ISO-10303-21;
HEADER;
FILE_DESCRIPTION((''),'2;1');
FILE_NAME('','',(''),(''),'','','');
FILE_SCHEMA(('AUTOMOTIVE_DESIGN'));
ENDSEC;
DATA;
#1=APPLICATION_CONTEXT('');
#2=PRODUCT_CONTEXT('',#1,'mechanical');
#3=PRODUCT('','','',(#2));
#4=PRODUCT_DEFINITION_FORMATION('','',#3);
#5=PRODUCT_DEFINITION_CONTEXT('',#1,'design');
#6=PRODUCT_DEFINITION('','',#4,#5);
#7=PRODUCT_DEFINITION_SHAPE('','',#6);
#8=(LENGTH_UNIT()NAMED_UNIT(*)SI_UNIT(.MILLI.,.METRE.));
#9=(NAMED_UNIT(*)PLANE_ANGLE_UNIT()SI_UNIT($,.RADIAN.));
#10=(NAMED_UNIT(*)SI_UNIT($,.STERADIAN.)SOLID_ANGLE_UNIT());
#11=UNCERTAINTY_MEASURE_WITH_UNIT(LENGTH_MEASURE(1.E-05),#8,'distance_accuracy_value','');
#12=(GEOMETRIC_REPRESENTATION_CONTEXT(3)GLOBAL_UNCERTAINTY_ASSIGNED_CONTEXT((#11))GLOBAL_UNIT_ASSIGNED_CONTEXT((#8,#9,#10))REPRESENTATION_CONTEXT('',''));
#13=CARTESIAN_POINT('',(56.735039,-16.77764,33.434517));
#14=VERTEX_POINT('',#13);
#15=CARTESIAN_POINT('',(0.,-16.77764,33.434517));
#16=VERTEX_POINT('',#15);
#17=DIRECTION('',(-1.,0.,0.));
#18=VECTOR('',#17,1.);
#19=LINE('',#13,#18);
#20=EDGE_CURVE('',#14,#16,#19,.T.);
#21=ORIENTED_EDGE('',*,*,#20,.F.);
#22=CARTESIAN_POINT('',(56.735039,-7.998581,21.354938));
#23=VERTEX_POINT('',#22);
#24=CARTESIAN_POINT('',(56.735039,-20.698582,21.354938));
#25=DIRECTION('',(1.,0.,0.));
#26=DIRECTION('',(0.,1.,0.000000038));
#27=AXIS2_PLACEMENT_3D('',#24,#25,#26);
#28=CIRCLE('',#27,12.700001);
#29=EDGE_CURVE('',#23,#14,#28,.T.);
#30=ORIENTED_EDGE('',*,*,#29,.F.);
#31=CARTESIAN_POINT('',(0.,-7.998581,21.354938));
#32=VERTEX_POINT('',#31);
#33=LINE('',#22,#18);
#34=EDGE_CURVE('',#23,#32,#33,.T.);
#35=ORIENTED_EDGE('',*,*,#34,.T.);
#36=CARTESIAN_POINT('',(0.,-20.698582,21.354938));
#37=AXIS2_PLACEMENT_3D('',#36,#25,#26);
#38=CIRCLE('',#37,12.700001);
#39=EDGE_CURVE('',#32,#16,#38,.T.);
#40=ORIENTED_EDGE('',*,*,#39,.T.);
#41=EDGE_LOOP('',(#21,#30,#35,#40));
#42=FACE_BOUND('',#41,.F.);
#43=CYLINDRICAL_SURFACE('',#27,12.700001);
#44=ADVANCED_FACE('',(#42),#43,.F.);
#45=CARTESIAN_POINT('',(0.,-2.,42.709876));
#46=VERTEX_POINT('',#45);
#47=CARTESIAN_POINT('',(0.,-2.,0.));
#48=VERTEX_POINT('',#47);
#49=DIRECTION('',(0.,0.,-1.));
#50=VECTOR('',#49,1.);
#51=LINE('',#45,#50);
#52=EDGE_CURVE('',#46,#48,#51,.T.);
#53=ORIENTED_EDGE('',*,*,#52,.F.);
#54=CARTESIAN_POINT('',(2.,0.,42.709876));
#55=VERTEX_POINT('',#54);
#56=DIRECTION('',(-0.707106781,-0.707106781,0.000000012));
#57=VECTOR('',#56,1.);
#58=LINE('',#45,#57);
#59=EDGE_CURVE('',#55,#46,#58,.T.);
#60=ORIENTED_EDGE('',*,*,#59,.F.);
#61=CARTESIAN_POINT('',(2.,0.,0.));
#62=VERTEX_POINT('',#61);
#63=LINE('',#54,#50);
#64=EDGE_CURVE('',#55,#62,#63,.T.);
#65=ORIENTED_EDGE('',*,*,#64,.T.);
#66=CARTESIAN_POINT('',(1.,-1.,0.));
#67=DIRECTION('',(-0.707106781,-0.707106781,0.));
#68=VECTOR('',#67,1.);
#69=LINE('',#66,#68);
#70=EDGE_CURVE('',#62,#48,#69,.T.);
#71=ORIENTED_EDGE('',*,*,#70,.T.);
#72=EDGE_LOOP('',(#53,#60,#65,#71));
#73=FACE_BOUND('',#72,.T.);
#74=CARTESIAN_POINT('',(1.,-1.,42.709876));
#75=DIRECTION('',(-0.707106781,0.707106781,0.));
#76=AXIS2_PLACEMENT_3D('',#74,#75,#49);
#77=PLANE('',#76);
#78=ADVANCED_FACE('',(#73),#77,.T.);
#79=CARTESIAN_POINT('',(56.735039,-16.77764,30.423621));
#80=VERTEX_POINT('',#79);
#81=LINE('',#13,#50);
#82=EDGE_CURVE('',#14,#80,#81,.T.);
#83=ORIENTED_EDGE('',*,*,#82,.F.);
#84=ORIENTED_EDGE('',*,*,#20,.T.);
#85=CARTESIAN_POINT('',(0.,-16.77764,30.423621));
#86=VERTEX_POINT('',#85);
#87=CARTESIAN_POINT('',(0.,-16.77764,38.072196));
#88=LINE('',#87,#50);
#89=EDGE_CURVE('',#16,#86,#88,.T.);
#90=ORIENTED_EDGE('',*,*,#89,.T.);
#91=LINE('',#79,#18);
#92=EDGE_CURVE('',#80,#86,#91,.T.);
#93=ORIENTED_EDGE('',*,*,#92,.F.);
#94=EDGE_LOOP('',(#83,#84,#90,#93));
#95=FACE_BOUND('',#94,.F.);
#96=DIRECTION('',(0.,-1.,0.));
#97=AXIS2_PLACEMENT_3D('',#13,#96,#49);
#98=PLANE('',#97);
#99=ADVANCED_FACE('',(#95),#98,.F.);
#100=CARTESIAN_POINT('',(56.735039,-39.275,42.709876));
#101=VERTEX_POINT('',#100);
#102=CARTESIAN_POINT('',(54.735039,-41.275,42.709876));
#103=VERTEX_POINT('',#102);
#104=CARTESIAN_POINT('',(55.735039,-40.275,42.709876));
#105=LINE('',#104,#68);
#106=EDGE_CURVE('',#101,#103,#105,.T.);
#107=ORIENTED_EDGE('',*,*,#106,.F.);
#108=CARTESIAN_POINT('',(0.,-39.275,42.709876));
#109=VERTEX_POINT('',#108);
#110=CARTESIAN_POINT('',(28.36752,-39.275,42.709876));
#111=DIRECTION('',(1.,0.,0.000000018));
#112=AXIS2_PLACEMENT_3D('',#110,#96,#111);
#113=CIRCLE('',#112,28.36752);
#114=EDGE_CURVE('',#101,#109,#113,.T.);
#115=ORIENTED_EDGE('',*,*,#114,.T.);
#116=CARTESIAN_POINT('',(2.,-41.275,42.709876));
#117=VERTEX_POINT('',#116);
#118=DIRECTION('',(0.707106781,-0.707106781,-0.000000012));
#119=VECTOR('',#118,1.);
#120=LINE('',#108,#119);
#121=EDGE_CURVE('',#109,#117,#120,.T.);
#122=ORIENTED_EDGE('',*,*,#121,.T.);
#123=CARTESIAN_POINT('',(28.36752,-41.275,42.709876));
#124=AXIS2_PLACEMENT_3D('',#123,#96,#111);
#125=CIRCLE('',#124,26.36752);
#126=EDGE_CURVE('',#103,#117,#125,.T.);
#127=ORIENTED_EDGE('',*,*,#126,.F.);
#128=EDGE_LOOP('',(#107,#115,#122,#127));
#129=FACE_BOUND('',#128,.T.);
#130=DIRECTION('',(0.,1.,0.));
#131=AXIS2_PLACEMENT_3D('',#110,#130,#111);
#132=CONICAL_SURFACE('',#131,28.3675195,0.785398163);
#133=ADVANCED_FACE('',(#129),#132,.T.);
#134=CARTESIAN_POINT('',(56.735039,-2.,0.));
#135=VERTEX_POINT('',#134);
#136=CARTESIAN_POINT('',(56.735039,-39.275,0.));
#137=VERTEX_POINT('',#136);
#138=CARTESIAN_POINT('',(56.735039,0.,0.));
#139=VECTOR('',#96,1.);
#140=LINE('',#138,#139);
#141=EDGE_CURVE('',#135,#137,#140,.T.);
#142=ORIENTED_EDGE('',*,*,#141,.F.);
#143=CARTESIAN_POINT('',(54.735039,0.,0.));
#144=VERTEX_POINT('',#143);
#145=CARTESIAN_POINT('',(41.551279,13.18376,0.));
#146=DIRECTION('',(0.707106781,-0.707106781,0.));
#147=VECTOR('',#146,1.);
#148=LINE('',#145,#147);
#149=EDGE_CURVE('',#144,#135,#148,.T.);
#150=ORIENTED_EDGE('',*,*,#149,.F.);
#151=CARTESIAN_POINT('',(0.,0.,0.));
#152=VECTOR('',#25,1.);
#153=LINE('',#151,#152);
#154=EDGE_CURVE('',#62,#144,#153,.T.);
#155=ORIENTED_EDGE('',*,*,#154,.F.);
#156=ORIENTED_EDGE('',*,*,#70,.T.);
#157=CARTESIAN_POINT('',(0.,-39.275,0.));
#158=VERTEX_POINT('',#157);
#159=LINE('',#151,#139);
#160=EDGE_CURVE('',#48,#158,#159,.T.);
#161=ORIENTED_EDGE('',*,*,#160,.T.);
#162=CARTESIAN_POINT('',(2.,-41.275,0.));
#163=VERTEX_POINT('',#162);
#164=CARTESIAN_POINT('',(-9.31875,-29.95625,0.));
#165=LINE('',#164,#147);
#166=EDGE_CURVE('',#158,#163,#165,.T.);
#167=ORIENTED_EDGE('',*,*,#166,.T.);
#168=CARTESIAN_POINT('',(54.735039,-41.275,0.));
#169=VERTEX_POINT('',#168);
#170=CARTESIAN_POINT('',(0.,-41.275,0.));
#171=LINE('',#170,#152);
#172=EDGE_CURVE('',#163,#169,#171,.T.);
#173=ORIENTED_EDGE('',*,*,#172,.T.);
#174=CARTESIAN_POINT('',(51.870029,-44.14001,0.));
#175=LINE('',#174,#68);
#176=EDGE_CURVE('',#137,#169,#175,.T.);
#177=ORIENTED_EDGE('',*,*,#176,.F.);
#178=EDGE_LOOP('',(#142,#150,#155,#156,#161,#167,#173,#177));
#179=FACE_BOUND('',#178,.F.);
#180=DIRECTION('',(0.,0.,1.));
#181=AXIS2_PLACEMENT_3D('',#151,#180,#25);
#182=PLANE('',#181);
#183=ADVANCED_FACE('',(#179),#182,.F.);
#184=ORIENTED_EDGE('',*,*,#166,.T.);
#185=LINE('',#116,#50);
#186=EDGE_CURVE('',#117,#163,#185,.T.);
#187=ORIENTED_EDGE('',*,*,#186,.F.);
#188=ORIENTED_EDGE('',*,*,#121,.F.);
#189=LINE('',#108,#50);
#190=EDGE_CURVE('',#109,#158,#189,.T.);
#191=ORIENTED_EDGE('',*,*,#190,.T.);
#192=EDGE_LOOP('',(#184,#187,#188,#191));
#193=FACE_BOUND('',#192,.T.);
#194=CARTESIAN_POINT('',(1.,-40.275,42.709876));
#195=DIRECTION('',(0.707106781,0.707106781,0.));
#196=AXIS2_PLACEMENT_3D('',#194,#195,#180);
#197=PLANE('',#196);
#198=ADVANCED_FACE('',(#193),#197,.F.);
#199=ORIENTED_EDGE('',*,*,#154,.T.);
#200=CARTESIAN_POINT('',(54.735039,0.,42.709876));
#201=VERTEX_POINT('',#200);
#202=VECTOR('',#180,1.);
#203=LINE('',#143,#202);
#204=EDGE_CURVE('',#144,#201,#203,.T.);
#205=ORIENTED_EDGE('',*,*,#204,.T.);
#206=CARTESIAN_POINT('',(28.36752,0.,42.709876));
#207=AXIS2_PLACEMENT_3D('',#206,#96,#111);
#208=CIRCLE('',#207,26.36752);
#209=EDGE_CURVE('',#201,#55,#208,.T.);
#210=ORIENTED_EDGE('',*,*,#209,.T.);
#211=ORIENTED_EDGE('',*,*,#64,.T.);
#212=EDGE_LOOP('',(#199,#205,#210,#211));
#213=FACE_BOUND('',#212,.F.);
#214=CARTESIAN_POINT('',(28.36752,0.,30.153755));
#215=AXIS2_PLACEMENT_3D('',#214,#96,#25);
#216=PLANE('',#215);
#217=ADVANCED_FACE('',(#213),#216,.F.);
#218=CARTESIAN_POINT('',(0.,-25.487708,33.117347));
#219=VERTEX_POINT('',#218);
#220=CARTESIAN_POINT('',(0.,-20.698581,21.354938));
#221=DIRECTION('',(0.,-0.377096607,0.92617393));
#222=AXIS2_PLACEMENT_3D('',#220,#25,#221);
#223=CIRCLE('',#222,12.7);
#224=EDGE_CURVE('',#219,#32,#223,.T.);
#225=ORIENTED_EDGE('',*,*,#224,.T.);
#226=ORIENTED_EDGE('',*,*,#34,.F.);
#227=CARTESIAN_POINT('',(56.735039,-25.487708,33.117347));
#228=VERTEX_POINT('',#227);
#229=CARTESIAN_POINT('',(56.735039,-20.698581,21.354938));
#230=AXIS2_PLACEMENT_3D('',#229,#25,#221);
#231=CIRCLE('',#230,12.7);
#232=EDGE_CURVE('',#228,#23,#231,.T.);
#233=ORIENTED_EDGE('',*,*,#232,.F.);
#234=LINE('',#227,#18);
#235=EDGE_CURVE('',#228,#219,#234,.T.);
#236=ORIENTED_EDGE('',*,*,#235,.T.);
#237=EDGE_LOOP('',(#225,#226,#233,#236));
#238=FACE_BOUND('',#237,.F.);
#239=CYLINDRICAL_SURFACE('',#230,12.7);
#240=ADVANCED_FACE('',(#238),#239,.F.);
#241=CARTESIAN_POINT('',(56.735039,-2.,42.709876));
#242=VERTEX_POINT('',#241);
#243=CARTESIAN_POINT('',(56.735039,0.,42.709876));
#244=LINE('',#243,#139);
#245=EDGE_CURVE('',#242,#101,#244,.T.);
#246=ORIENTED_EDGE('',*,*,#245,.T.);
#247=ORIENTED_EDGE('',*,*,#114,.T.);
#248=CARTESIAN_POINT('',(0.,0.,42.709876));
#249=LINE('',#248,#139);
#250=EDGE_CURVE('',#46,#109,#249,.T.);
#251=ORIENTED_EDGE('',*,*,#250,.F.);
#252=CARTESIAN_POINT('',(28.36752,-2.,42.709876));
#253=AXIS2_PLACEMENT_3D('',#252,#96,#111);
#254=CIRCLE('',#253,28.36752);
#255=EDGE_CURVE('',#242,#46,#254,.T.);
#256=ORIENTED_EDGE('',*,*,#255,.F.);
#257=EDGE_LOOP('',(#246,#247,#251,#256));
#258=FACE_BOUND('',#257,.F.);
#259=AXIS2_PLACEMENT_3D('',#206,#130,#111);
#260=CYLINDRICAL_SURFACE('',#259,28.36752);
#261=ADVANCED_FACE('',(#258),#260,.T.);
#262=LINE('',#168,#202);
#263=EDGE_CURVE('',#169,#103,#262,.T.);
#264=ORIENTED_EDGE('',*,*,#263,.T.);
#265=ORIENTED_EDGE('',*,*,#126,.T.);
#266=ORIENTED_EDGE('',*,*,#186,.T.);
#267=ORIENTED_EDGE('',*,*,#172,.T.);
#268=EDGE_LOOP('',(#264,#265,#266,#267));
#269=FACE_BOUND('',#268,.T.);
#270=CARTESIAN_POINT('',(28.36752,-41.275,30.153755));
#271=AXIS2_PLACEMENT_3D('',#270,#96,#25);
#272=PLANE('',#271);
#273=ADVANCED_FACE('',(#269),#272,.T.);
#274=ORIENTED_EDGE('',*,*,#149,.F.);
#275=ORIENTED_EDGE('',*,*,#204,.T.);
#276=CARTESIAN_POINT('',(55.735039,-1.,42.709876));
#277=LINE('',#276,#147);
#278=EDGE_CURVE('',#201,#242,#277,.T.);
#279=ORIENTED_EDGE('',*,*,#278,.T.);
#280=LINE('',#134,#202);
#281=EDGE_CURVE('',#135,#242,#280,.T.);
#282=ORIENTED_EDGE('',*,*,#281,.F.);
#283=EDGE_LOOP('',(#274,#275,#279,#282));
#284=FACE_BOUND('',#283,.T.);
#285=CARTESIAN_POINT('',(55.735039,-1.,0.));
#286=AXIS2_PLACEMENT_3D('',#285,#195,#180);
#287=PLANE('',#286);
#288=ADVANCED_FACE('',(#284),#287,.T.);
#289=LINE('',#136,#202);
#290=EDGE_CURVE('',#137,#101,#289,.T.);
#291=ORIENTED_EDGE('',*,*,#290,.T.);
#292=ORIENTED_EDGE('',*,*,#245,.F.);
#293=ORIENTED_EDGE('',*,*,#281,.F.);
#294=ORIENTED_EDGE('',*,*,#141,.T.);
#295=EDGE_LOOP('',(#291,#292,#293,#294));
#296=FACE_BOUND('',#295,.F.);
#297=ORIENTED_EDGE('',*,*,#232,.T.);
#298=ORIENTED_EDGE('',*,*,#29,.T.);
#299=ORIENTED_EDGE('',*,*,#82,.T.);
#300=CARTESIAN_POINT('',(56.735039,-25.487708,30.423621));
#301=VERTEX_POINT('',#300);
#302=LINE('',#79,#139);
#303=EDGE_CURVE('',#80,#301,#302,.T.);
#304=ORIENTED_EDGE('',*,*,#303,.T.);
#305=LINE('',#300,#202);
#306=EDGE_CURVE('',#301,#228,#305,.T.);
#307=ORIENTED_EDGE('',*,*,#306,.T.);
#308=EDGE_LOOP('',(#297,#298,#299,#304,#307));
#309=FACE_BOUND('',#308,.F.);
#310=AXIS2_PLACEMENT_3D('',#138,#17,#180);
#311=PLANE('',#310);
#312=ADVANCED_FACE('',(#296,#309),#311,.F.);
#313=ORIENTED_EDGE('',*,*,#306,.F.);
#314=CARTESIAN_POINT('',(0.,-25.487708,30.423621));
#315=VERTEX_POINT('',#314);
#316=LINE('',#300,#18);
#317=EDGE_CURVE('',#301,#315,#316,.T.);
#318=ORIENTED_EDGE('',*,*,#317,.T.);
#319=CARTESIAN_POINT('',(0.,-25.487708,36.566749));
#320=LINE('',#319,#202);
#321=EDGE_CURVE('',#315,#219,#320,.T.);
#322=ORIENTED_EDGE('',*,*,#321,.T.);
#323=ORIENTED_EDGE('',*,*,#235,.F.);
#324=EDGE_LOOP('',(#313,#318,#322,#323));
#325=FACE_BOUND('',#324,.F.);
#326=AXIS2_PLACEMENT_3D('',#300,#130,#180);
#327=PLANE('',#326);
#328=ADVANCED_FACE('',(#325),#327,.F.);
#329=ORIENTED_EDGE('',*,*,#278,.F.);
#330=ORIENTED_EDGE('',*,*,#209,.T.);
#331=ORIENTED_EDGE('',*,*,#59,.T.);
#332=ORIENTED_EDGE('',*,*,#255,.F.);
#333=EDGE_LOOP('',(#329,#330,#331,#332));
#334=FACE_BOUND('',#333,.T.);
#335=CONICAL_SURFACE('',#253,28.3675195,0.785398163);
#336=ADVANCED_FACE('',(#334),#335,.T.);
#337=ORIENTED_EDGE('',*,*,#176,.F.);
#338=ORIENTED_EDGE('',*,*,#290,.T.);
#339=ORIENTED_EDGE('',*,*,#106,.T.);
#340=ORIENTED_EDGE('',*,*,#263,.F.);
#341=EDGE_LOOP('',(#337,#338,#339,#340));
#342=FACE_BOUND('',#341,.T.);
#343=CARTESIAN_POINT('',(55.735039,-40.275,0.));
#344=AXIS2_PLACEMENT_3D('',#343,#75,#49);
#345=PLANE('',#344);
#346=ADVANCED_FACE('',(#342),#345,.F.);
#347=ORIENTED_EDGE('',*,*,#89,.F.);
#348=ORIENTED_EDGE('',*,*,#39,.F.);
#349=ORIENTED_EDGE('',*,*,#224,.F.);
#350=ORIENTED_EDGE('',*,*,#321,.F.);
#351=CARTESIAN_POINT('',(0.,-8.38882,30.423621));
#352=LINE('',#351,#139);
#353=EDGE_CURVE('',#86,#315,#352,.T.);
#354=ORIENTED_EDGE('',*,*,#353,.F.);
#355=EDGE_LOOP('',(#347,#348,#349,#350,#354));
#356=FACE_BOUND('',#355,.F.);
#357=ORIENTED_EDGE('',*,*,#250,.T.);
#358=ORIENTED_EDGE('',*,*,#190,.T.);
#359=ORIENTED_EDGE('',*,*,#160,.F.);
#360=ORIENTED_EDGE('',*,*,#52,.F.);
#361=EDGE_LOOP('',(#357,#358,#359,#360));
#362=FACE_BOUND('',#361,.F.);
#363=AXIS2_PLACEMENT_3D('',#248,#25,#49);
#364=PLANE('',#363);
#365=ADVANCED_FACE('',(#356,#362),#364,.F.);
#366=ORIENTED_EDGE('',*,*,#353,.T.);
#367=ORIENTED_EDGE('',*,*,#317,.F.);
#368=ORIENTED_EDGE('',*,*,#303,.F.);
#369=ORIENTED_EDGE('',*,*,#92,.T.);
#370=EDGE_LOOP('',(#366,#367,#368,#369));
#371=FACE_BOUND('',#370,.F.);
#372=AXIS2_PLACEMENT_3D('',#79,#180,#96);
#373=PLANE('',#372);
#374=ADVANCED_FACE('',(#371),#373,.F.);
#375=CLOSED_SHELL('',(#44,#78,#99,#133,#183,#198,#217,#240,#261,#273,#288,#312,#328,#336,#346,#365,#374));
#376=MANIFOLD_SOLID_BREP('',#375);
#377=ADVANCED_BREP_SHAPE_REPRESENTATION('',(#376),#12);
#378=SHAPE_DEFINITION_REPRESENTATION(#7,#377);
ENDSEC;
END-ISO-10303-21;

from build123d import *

# Parameters (mm, degrees)
F1_DEPTH = 41.275
F3_DEPTH = 67.31
F4_SIZE  = 2


with BuildPart() as f1:
    # F0 (on Front) → F1 (new body)
    with BuildSketch(Plane.XZ):
        with BuildLine():
            Line((0, 42.709876), (0, 0))
            Line((0, 0), (56.735039, 0))
            Line((56.735039, 0), (56.735039, 42.709876))
            ThreePointArc((56.735039, 42.709876), (28.367519, 71.077395), (0, 42.709876))
        make_face()
    extrude(amount=F1_DEPTH)

    # F2 (on face) → F3 (cut)
    with BuildSketch(Plane.YZ.offset(56.735039)):
        with BuildLine():
            ThreePointArc((-25.487708, 33.117347), (-27.786179, 10.816629), (-7.998581, 21.354938))
            ThreePointArc((-7.998581, 21.354938), (-10.42517, 28.821331), (-16.77764, 33.434517))
            Line((-16.77764, 33.434517), (-16.77764, 30.423621))
            Line((-16.77764, 30.423621), (-25.487708, 30.423621))
            Line((-25.487708, 30.423621), (-25.487708, 33.117347))
        make_face()
    extrude(amount=-F3_DEPTH, mode=Mode.SUBTRACT)

    # F4
    f4_edges = [f1.edges().sort_by_distance(p)[0] for p in [
        (28.367519, -41.275, 71.077395),
        (56.735039, 0, 21.354938),
    ]]
    chamfer(f4_edges, length=F4_SIZE)


solid = f1.part
